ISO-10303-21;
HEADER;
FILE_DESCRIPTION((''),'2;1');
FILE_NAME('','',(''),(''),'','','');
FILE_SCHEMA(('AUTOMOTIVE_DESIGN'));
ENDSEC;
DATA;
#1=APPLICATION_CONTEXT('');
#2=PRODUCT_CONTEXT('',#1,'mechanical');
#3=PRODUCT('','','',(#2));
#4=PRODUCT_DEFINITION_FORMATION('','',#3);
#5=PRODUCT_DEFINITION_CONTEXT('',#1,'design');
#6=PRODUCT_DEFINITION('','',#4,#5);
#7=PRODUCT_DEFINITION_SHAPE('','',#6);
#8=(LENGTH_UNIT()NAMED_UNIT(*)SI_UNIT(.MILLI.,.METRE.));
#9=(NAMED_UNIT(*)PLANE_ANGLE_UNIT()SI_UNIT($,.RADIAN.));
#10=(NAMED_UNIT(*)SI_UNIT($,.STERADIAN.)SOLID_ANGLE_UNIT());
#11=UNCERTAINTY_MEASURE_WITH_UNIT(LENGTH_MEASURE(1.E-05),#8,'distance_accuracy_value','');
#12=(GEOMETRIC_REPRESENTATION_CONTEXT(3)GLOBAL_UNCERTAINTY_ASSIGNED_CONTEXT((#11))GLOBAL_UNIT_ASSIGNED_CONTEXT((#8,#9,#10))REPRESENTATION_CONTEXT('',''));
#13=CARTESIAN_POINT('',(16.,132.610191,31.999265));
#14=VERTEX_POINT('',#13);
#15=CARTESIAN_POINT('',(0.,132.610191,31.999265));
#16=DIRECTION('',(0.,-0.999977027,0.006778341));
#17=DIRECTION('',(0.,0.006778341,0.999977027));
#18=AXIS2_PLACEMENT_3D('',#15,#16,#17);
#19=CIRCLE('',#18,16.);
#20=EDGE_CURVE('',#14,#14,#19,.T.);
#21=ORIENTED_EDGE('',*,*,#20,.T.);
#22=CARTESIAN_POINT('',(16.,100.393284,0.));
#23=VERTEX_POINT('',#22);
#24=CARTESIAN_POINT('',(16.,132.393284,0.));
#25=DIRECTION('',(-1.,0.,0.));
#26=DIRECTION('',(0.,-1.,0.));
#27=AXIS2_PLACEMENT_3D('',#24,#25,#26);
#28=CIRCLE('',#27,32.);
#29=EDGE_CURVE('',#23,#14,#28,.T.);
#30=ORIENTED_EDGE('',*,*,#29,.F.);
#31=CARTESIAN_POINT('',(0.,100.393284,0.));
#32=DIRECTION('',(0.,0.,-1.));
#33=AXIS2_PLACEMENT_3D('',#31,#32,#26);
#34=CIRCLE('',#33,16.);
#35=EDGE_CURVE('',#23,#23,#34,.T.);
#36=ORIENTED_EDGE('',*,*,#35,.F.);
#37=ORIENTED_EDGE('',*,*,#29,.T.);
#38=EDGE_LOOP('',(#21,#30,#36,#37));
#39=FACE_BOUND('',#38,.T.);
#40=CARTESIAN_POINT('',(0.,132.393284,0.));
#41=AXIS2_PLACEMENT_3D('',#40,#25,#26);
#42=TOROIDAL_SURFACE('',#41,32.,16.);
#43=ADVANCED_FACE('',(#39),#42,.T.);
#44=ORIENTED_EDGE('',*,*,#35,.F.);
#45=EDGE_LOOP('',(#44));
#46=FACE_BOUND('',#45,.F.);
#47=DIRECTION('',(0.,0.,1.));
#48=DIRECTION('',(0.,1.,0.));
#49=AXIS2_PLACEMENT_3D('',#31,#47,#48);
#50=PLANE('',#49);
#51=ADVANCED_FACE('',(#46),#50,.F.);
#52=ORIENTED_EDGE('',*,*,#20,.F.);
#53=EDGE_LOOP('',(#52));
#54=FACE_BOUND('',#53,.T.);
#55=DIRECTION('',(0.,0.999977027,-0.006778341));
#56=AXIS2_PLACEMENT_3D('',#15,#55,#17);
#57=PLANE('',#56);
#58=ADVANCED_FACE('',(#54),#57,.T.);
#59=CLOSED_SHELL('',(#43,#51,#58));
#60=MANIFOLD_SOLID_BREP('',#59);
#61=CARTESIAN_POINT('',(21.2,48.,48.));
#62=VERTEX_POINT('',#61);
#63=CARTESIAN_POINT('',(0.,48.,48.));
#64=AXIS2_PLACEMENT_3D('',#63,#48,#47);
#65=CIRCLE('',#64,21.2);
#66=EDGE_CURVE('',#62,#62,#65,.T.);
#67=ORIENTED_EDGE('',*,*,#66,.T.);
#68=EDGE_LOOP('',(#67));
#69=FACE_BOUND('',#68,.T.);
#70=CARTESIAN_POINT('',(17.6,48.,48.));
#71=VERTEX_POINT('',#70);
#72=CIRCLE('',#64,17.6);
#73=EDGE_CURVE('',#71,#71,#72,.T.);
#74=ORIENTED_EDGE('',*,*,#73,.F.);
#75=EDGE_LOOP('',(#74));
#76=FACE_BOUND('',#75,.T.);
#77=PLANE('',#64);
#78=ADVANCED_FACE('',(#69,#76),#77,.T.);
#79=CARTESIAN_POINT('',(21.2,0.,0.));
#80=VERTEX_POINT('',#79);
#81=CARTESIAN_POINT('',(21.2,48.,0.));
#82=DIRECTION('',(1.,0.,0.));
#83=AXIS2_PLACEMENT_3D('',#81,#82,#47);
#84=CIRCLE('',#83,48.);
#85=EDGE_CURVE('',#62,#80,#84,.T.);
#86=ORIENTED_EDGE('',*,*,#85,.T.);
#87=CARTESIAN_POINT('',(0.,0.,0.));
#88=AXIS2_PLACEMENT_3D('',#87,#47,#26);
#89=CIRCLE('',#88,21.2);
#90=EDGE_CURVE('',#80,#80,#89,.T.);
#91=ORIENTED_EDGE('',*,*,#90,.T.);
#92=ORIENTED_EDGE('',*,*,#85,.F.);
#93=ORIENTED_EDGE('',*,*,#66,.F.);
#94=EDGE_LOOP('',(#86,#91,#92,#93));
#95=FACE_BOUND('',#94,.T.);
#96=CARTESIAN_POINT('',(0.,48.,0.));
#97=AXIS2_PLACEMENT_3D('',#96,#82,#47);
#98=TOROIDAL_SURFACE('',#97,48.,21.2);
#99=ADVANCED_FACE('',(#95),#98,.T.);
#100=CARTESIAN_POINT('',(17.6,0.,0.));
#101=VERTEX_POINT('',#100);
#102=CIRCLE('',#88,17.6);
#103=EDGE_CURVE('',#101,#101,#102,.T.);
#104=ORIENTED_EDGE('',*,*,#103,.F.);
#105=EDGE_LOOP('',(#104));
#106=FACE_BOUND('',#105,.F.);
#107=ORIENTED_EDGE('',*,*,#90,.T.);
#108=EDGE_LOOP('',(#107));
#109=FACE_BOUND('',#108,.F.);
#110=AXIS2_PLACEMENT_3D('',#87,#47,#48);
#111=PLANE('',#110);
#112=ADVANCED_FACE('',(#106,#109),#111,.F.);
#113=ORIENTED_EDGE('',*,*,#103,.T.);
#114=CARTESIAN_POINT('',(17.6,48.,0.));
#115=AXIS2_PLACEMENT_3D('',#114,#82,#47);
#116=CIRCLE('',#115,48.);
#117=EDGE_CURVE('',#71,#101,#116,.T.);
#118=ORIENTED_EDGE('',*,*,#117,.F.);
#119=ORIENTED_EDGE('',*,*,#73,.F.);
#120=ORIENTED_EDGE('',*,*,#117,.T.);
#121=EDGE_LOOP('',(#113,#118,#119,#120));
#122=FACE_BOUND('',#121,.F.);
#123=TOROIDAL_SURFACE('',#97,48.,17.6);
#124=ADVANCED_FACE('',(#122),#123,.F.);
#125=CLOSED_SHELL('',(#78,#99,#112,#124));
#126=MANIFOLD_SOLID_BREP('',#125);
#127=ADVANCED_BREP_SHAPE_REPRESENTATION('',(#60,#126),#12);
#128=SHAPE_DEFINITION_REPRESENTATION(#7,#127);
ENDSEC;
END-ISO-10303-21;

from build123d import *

# Parameters (mm, degrees)
F2_R = 16
F0_R = 21.2
F6_T = -3.6


with BuildPart() as f4:
    # F4: sweep along a path in F3
    with BuildLine(Plane.YZ) as f4_path:
        ThreePointArc((100.3932839383, 0), (109.8426855074, 22.703975652), (132.6101908388, 31.9992648571))
    # F2 (on Top) → F4 (sweep)
    with BuildSketch(Plane.XY):
        with Locations((0, 100.3932839383)):
            Circle(F2_R)
    sweep(path=f4_path.line)


with BuildPart() as f5:
    # F5: sweep along a path in F1
    with BuildLine(Plane.YZ) as f5_path:
        ThreePointArc((48, 48), (14.058874503, 33.941125497), (0, 0))
    # F0 (on Top) → F5 (sweep)
    with BuildSketch(Plane.XY):
        Circle(F0_R)
    sweep(path=f5_path.line)

    # F6
    f6_openings = [f5.faces().sort_by_distance(p)[0] for p in [
        (0, 48, 48),
        (0, 0, 0),
    ]]
    offset(amount=F6_T, openings=f6_openings)


solid = Compound([f4.part, f5.part])
